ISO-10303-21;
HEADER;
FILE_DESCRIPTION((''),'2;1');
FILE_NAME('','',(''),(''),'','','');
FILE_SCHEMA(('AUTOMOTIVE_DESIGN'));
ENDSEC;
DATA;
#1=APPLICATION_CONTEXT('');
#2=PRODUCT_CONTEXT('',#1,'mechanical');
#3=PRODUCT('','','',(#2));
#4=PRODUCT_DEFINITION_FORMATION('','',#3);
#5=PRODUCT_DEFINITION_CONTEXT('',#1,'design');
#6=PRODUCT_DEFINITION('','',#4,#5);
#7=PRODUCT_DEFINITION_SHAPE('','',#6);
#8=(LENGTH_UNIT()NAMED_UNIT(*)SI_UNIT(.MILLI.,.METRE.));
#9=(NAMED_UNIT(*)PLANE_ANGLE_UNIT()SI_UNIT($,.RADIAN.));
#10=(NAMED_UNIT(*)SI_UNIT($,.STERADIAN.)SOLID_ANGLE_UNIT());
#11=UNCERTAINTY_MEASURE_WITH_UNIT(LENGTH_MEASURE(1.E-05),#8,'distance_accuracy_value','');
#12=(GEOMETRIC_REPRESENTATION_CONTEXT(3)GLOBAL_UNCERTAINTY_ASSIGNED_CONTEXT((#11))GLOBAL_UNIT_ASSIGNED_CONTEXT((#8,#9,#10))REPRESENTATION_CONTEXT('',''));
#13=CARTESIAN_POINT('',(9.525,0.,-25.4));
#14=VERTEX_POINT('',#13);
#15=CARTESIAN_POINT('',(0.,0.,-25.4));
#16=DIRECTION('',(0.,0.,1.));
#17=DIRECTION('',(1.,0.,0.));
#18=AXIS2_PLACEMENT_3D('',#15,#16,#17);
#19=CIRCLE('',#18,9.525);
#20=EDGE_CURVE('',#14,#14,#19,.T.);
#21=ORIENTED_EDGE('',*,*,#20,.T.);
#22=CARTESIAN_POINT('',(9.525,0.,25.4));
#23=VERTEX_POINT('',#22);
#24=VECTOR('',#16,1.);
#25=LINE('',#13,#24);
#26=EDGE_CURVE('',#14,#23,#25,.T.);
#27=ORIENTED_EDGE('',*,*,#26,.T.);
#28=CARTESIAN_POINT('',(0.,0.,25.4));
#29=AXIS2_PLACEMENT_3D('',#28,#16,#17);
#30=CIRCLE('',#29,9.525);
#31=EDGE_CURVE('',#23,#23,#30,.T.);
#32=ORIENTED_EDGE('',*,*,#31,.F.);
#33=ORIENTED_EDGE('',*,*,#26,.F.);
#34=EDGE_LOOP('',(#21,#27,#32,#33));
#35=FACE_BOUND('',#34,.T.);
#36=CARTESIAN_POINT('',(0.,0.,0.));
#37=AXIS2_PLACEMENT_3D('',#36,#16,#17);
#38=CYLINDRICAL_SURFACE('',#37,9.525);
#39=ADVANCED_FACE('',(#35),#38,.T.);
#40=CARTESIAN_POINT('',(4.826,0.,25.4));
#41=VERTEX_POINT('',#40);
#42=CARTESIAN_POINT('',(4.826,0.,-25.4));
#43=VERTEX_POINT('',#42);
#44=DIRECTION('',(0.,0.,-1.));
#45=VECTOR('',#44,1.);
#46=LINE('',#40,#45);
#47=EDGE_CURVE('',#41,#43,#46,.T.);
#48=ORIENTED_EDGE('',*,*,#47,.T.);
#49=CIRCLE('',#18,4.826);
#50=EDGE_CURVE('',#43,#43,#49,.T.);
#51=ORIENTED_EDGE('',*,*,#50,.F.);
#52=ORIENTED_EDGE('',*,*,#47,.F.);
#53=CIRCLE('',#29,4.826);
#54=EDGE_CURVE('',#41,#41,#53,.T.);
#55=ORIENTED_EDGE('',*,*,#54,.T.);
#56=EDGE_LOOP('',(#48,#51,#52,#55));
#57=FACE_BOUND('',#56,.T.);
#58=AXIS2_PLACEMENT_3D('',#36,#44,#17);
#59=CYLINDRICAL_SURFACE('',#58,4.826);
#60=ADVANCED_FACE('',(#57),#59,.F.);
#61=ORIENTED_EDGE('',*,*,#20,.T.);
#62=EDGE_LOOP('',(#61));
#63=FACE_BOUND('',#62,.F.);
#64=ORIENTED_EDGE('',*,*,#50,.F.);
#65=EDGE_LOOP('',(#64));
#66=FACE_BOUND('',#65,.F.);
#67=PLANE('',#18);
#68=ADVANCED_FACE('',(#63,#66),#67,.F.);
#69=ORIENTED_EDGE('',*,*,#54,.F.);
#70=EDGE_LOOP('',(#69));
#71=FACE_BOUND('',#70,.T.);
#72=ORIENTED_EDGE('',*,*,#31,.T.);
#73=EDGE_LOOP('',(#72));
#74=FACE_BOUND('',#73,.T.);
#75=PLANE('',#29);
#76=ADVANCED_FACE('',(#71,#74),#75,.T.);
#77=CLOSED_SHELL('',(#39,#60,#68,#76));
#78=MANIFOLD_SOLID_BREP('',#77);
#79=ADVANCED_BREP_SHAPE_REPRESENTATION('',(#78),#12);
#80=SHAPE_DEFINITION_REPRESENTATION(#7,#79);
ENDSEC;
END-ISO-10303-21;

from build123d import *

# Parameters (mm, degrees)
SKETCH1_R      = 9.525
SKETCH1_R_2    = 4.826
EXTRUDE1_DEPTH = 25.4


with BuildPart() as part:
    # Sketch1 → Extrude1 (new body, symmetric)
    with BuildSketch(Plane.XY):
        Circle(SKETCH1_R)
        Circle(SKETCH1_R_2, mode=Mode.SUBTRACT)
    extrude(amount=EXTRUDE1_DEPTH, both=True)


solid = part.part
